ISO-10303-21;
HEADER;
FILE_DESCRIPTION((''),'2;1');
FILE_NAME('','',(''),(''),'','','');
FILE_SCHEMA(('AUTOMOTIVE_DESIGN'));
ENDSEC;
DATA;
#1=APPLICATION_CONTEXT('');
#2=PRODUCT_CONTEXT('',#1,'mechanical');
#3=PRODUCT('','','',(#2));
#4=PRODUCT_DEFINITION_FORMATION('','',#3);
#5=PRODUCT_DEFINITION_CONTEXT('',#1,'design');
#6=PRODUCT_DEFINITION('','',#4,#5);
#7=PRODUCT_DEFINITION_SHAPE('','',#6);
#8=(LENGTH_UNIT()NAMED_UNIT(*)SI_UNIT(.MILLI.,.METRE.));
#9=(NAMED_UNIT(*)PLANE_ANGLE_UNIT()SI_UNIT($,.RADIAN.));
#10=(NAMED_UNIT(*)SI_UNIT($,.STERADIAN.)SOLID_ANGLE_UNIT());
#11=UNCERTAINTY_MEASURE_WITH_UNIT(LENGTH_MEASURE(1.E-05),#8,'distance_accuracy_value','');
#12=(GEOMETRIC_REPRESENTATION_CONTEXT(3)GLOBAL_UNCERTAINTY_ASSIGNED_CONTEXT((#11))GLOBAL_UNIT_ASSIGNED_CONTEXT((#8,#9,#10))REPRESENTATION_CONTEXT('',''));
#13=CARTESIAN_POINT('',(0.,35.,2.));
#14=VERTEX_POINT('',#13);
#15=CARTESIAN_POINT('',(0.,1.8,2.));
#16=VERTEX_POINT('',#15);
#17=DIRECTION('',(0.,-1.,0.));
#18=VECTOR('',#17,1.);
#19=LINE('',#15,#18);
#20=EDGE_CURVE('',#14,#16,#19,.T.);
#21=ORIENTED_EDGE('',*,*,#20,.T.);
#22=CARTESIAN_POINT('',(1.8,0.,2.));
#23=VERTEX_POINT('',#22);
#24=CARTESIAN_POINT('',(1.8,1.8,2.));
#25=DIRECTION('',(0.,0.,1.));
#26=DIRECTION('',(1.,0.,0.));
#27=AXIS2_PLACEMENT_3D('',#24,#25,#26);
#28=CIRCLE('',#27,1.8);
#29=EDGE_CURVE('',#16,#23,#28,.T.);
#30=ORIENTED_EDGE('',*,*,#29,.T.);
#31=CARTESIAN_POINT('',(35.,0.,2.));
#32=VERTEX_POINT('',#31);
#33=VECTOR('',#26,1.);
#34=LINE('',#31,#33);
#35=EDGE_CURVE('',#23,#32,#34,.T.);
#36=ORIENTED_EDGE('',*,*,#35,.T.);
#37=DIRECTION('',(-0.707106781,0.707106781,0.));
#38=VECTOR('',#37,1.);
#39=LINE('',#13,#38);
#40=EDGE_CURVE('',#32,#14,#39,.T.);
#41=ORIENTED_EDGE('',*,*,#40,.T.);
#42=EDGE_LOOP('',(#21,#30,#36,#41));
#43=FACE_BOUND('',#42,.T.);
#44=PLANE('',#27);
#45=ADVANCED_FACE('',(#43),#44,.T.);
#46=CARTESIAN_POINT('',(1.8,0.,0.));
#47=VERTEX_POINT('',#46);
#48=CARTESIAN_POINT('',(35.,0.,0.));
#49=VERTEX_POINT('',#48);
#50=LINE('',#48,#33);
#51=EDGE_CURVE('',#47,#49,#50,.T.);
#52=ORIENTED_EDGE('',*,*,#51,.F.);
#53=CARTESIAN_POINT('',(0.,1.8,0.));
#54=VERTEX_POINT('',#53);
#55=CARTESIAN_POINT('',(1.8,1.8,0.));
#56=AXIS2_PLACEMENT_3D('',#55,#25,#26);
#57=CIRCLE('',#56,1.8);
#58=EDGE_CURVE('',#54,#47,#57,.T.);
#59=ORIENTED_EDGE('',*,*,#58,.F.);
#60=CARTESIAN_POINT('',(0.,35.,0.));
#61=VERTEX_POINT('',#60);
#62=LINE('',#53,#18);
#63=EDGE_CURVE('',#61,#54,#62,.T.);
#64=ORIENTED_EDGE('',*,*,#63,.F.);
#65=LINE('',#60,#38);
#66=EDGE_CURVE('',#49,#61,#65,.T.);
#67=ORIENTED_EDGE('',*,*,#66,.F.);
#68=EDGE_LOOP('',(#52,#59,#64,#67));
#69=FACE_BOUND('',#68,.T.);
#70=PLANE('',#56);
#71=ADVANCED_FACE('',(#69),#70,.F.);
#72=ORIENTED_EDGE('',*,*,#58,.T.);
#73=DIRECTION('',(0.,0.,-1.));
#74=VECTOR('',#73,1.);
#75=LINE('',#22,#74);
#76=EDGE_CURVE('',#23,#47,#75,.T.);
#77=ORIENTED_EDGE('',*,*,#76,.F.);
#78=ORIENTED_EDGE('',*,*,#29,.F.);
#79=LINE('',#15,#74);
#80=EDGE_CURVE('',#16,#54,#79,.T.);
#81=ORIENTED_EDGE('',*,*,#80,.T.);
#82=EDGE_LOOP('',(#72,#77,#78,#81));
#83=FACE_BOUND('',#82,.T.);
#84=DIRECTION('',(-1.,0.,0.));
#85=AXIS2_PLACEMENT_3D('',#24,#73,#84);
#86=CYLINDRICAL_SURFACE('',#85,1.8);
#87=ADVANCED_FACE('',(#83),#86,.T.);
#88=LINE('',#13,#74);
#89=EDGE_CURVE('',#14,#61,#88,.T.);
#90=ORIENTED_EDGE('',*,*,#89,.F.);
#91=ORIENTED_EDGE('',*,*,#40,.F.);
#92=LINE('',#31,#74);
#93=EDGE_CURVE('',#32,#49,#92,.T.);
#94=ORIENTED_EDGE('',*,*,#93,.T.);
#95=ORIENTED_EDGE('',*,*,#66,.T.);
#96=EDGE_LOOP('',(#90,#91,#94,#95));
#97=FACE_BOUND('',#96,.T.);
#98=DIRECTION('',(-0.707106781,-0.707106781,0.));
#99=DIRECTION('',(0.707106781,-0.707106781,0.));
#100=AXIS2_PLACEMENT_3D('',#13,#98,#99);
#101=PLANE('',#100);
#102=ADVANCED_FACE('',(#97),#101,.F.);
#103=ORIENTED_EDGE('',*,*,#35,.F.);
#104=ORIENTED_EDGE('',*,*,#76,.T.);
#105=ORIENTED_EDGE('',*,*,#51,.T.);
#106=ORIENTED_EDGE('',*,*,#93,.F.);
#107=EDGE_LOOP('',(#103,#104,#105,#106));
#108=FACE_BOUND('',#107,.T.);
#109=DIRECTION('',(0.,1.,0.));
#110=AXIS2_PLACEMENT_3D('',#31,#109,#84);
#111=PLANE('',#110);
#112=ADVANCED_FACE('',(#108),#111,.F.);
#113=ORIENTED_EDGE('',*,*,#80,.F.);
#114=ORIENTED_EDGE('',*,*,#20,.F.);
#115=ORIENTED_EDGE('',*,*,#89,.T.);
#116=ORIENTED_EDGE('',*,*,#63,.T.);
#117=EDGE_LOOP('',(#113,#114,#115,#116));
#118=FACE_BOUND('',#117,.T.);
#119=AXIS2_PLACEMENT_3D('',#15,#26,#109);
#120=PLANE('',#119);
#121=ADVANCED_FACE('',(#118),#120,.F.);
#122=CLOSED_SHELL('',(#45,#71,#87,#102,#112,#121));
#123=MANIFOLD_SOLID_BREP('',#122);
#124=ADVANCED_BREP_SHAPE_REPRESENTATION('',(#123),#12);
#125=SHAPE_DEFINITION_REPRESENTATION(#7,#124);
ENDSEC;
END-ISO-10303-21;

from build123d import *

# Parameters (mm, degrees)
BOSS_EXTRUDE1_DEPTH = 2


with BuildPart() as part:
    # Sketch1 → Boss-Extrude1 (new body)
    with BuildSketch(Plane.XY):
        with BuildLine():
            Line((0, 1.8), (0, 35))
            Line((0, 35), (35, 0))
            Line((35, 0), (1.8, 0))
            ThreePointArc((1.8, 0), (0.527207794, 0.527207794), (0, 1.8))
        make_face()
    extrude(amount=BOSS_EXTRUDE1_DEPTH)


solid = part.part
